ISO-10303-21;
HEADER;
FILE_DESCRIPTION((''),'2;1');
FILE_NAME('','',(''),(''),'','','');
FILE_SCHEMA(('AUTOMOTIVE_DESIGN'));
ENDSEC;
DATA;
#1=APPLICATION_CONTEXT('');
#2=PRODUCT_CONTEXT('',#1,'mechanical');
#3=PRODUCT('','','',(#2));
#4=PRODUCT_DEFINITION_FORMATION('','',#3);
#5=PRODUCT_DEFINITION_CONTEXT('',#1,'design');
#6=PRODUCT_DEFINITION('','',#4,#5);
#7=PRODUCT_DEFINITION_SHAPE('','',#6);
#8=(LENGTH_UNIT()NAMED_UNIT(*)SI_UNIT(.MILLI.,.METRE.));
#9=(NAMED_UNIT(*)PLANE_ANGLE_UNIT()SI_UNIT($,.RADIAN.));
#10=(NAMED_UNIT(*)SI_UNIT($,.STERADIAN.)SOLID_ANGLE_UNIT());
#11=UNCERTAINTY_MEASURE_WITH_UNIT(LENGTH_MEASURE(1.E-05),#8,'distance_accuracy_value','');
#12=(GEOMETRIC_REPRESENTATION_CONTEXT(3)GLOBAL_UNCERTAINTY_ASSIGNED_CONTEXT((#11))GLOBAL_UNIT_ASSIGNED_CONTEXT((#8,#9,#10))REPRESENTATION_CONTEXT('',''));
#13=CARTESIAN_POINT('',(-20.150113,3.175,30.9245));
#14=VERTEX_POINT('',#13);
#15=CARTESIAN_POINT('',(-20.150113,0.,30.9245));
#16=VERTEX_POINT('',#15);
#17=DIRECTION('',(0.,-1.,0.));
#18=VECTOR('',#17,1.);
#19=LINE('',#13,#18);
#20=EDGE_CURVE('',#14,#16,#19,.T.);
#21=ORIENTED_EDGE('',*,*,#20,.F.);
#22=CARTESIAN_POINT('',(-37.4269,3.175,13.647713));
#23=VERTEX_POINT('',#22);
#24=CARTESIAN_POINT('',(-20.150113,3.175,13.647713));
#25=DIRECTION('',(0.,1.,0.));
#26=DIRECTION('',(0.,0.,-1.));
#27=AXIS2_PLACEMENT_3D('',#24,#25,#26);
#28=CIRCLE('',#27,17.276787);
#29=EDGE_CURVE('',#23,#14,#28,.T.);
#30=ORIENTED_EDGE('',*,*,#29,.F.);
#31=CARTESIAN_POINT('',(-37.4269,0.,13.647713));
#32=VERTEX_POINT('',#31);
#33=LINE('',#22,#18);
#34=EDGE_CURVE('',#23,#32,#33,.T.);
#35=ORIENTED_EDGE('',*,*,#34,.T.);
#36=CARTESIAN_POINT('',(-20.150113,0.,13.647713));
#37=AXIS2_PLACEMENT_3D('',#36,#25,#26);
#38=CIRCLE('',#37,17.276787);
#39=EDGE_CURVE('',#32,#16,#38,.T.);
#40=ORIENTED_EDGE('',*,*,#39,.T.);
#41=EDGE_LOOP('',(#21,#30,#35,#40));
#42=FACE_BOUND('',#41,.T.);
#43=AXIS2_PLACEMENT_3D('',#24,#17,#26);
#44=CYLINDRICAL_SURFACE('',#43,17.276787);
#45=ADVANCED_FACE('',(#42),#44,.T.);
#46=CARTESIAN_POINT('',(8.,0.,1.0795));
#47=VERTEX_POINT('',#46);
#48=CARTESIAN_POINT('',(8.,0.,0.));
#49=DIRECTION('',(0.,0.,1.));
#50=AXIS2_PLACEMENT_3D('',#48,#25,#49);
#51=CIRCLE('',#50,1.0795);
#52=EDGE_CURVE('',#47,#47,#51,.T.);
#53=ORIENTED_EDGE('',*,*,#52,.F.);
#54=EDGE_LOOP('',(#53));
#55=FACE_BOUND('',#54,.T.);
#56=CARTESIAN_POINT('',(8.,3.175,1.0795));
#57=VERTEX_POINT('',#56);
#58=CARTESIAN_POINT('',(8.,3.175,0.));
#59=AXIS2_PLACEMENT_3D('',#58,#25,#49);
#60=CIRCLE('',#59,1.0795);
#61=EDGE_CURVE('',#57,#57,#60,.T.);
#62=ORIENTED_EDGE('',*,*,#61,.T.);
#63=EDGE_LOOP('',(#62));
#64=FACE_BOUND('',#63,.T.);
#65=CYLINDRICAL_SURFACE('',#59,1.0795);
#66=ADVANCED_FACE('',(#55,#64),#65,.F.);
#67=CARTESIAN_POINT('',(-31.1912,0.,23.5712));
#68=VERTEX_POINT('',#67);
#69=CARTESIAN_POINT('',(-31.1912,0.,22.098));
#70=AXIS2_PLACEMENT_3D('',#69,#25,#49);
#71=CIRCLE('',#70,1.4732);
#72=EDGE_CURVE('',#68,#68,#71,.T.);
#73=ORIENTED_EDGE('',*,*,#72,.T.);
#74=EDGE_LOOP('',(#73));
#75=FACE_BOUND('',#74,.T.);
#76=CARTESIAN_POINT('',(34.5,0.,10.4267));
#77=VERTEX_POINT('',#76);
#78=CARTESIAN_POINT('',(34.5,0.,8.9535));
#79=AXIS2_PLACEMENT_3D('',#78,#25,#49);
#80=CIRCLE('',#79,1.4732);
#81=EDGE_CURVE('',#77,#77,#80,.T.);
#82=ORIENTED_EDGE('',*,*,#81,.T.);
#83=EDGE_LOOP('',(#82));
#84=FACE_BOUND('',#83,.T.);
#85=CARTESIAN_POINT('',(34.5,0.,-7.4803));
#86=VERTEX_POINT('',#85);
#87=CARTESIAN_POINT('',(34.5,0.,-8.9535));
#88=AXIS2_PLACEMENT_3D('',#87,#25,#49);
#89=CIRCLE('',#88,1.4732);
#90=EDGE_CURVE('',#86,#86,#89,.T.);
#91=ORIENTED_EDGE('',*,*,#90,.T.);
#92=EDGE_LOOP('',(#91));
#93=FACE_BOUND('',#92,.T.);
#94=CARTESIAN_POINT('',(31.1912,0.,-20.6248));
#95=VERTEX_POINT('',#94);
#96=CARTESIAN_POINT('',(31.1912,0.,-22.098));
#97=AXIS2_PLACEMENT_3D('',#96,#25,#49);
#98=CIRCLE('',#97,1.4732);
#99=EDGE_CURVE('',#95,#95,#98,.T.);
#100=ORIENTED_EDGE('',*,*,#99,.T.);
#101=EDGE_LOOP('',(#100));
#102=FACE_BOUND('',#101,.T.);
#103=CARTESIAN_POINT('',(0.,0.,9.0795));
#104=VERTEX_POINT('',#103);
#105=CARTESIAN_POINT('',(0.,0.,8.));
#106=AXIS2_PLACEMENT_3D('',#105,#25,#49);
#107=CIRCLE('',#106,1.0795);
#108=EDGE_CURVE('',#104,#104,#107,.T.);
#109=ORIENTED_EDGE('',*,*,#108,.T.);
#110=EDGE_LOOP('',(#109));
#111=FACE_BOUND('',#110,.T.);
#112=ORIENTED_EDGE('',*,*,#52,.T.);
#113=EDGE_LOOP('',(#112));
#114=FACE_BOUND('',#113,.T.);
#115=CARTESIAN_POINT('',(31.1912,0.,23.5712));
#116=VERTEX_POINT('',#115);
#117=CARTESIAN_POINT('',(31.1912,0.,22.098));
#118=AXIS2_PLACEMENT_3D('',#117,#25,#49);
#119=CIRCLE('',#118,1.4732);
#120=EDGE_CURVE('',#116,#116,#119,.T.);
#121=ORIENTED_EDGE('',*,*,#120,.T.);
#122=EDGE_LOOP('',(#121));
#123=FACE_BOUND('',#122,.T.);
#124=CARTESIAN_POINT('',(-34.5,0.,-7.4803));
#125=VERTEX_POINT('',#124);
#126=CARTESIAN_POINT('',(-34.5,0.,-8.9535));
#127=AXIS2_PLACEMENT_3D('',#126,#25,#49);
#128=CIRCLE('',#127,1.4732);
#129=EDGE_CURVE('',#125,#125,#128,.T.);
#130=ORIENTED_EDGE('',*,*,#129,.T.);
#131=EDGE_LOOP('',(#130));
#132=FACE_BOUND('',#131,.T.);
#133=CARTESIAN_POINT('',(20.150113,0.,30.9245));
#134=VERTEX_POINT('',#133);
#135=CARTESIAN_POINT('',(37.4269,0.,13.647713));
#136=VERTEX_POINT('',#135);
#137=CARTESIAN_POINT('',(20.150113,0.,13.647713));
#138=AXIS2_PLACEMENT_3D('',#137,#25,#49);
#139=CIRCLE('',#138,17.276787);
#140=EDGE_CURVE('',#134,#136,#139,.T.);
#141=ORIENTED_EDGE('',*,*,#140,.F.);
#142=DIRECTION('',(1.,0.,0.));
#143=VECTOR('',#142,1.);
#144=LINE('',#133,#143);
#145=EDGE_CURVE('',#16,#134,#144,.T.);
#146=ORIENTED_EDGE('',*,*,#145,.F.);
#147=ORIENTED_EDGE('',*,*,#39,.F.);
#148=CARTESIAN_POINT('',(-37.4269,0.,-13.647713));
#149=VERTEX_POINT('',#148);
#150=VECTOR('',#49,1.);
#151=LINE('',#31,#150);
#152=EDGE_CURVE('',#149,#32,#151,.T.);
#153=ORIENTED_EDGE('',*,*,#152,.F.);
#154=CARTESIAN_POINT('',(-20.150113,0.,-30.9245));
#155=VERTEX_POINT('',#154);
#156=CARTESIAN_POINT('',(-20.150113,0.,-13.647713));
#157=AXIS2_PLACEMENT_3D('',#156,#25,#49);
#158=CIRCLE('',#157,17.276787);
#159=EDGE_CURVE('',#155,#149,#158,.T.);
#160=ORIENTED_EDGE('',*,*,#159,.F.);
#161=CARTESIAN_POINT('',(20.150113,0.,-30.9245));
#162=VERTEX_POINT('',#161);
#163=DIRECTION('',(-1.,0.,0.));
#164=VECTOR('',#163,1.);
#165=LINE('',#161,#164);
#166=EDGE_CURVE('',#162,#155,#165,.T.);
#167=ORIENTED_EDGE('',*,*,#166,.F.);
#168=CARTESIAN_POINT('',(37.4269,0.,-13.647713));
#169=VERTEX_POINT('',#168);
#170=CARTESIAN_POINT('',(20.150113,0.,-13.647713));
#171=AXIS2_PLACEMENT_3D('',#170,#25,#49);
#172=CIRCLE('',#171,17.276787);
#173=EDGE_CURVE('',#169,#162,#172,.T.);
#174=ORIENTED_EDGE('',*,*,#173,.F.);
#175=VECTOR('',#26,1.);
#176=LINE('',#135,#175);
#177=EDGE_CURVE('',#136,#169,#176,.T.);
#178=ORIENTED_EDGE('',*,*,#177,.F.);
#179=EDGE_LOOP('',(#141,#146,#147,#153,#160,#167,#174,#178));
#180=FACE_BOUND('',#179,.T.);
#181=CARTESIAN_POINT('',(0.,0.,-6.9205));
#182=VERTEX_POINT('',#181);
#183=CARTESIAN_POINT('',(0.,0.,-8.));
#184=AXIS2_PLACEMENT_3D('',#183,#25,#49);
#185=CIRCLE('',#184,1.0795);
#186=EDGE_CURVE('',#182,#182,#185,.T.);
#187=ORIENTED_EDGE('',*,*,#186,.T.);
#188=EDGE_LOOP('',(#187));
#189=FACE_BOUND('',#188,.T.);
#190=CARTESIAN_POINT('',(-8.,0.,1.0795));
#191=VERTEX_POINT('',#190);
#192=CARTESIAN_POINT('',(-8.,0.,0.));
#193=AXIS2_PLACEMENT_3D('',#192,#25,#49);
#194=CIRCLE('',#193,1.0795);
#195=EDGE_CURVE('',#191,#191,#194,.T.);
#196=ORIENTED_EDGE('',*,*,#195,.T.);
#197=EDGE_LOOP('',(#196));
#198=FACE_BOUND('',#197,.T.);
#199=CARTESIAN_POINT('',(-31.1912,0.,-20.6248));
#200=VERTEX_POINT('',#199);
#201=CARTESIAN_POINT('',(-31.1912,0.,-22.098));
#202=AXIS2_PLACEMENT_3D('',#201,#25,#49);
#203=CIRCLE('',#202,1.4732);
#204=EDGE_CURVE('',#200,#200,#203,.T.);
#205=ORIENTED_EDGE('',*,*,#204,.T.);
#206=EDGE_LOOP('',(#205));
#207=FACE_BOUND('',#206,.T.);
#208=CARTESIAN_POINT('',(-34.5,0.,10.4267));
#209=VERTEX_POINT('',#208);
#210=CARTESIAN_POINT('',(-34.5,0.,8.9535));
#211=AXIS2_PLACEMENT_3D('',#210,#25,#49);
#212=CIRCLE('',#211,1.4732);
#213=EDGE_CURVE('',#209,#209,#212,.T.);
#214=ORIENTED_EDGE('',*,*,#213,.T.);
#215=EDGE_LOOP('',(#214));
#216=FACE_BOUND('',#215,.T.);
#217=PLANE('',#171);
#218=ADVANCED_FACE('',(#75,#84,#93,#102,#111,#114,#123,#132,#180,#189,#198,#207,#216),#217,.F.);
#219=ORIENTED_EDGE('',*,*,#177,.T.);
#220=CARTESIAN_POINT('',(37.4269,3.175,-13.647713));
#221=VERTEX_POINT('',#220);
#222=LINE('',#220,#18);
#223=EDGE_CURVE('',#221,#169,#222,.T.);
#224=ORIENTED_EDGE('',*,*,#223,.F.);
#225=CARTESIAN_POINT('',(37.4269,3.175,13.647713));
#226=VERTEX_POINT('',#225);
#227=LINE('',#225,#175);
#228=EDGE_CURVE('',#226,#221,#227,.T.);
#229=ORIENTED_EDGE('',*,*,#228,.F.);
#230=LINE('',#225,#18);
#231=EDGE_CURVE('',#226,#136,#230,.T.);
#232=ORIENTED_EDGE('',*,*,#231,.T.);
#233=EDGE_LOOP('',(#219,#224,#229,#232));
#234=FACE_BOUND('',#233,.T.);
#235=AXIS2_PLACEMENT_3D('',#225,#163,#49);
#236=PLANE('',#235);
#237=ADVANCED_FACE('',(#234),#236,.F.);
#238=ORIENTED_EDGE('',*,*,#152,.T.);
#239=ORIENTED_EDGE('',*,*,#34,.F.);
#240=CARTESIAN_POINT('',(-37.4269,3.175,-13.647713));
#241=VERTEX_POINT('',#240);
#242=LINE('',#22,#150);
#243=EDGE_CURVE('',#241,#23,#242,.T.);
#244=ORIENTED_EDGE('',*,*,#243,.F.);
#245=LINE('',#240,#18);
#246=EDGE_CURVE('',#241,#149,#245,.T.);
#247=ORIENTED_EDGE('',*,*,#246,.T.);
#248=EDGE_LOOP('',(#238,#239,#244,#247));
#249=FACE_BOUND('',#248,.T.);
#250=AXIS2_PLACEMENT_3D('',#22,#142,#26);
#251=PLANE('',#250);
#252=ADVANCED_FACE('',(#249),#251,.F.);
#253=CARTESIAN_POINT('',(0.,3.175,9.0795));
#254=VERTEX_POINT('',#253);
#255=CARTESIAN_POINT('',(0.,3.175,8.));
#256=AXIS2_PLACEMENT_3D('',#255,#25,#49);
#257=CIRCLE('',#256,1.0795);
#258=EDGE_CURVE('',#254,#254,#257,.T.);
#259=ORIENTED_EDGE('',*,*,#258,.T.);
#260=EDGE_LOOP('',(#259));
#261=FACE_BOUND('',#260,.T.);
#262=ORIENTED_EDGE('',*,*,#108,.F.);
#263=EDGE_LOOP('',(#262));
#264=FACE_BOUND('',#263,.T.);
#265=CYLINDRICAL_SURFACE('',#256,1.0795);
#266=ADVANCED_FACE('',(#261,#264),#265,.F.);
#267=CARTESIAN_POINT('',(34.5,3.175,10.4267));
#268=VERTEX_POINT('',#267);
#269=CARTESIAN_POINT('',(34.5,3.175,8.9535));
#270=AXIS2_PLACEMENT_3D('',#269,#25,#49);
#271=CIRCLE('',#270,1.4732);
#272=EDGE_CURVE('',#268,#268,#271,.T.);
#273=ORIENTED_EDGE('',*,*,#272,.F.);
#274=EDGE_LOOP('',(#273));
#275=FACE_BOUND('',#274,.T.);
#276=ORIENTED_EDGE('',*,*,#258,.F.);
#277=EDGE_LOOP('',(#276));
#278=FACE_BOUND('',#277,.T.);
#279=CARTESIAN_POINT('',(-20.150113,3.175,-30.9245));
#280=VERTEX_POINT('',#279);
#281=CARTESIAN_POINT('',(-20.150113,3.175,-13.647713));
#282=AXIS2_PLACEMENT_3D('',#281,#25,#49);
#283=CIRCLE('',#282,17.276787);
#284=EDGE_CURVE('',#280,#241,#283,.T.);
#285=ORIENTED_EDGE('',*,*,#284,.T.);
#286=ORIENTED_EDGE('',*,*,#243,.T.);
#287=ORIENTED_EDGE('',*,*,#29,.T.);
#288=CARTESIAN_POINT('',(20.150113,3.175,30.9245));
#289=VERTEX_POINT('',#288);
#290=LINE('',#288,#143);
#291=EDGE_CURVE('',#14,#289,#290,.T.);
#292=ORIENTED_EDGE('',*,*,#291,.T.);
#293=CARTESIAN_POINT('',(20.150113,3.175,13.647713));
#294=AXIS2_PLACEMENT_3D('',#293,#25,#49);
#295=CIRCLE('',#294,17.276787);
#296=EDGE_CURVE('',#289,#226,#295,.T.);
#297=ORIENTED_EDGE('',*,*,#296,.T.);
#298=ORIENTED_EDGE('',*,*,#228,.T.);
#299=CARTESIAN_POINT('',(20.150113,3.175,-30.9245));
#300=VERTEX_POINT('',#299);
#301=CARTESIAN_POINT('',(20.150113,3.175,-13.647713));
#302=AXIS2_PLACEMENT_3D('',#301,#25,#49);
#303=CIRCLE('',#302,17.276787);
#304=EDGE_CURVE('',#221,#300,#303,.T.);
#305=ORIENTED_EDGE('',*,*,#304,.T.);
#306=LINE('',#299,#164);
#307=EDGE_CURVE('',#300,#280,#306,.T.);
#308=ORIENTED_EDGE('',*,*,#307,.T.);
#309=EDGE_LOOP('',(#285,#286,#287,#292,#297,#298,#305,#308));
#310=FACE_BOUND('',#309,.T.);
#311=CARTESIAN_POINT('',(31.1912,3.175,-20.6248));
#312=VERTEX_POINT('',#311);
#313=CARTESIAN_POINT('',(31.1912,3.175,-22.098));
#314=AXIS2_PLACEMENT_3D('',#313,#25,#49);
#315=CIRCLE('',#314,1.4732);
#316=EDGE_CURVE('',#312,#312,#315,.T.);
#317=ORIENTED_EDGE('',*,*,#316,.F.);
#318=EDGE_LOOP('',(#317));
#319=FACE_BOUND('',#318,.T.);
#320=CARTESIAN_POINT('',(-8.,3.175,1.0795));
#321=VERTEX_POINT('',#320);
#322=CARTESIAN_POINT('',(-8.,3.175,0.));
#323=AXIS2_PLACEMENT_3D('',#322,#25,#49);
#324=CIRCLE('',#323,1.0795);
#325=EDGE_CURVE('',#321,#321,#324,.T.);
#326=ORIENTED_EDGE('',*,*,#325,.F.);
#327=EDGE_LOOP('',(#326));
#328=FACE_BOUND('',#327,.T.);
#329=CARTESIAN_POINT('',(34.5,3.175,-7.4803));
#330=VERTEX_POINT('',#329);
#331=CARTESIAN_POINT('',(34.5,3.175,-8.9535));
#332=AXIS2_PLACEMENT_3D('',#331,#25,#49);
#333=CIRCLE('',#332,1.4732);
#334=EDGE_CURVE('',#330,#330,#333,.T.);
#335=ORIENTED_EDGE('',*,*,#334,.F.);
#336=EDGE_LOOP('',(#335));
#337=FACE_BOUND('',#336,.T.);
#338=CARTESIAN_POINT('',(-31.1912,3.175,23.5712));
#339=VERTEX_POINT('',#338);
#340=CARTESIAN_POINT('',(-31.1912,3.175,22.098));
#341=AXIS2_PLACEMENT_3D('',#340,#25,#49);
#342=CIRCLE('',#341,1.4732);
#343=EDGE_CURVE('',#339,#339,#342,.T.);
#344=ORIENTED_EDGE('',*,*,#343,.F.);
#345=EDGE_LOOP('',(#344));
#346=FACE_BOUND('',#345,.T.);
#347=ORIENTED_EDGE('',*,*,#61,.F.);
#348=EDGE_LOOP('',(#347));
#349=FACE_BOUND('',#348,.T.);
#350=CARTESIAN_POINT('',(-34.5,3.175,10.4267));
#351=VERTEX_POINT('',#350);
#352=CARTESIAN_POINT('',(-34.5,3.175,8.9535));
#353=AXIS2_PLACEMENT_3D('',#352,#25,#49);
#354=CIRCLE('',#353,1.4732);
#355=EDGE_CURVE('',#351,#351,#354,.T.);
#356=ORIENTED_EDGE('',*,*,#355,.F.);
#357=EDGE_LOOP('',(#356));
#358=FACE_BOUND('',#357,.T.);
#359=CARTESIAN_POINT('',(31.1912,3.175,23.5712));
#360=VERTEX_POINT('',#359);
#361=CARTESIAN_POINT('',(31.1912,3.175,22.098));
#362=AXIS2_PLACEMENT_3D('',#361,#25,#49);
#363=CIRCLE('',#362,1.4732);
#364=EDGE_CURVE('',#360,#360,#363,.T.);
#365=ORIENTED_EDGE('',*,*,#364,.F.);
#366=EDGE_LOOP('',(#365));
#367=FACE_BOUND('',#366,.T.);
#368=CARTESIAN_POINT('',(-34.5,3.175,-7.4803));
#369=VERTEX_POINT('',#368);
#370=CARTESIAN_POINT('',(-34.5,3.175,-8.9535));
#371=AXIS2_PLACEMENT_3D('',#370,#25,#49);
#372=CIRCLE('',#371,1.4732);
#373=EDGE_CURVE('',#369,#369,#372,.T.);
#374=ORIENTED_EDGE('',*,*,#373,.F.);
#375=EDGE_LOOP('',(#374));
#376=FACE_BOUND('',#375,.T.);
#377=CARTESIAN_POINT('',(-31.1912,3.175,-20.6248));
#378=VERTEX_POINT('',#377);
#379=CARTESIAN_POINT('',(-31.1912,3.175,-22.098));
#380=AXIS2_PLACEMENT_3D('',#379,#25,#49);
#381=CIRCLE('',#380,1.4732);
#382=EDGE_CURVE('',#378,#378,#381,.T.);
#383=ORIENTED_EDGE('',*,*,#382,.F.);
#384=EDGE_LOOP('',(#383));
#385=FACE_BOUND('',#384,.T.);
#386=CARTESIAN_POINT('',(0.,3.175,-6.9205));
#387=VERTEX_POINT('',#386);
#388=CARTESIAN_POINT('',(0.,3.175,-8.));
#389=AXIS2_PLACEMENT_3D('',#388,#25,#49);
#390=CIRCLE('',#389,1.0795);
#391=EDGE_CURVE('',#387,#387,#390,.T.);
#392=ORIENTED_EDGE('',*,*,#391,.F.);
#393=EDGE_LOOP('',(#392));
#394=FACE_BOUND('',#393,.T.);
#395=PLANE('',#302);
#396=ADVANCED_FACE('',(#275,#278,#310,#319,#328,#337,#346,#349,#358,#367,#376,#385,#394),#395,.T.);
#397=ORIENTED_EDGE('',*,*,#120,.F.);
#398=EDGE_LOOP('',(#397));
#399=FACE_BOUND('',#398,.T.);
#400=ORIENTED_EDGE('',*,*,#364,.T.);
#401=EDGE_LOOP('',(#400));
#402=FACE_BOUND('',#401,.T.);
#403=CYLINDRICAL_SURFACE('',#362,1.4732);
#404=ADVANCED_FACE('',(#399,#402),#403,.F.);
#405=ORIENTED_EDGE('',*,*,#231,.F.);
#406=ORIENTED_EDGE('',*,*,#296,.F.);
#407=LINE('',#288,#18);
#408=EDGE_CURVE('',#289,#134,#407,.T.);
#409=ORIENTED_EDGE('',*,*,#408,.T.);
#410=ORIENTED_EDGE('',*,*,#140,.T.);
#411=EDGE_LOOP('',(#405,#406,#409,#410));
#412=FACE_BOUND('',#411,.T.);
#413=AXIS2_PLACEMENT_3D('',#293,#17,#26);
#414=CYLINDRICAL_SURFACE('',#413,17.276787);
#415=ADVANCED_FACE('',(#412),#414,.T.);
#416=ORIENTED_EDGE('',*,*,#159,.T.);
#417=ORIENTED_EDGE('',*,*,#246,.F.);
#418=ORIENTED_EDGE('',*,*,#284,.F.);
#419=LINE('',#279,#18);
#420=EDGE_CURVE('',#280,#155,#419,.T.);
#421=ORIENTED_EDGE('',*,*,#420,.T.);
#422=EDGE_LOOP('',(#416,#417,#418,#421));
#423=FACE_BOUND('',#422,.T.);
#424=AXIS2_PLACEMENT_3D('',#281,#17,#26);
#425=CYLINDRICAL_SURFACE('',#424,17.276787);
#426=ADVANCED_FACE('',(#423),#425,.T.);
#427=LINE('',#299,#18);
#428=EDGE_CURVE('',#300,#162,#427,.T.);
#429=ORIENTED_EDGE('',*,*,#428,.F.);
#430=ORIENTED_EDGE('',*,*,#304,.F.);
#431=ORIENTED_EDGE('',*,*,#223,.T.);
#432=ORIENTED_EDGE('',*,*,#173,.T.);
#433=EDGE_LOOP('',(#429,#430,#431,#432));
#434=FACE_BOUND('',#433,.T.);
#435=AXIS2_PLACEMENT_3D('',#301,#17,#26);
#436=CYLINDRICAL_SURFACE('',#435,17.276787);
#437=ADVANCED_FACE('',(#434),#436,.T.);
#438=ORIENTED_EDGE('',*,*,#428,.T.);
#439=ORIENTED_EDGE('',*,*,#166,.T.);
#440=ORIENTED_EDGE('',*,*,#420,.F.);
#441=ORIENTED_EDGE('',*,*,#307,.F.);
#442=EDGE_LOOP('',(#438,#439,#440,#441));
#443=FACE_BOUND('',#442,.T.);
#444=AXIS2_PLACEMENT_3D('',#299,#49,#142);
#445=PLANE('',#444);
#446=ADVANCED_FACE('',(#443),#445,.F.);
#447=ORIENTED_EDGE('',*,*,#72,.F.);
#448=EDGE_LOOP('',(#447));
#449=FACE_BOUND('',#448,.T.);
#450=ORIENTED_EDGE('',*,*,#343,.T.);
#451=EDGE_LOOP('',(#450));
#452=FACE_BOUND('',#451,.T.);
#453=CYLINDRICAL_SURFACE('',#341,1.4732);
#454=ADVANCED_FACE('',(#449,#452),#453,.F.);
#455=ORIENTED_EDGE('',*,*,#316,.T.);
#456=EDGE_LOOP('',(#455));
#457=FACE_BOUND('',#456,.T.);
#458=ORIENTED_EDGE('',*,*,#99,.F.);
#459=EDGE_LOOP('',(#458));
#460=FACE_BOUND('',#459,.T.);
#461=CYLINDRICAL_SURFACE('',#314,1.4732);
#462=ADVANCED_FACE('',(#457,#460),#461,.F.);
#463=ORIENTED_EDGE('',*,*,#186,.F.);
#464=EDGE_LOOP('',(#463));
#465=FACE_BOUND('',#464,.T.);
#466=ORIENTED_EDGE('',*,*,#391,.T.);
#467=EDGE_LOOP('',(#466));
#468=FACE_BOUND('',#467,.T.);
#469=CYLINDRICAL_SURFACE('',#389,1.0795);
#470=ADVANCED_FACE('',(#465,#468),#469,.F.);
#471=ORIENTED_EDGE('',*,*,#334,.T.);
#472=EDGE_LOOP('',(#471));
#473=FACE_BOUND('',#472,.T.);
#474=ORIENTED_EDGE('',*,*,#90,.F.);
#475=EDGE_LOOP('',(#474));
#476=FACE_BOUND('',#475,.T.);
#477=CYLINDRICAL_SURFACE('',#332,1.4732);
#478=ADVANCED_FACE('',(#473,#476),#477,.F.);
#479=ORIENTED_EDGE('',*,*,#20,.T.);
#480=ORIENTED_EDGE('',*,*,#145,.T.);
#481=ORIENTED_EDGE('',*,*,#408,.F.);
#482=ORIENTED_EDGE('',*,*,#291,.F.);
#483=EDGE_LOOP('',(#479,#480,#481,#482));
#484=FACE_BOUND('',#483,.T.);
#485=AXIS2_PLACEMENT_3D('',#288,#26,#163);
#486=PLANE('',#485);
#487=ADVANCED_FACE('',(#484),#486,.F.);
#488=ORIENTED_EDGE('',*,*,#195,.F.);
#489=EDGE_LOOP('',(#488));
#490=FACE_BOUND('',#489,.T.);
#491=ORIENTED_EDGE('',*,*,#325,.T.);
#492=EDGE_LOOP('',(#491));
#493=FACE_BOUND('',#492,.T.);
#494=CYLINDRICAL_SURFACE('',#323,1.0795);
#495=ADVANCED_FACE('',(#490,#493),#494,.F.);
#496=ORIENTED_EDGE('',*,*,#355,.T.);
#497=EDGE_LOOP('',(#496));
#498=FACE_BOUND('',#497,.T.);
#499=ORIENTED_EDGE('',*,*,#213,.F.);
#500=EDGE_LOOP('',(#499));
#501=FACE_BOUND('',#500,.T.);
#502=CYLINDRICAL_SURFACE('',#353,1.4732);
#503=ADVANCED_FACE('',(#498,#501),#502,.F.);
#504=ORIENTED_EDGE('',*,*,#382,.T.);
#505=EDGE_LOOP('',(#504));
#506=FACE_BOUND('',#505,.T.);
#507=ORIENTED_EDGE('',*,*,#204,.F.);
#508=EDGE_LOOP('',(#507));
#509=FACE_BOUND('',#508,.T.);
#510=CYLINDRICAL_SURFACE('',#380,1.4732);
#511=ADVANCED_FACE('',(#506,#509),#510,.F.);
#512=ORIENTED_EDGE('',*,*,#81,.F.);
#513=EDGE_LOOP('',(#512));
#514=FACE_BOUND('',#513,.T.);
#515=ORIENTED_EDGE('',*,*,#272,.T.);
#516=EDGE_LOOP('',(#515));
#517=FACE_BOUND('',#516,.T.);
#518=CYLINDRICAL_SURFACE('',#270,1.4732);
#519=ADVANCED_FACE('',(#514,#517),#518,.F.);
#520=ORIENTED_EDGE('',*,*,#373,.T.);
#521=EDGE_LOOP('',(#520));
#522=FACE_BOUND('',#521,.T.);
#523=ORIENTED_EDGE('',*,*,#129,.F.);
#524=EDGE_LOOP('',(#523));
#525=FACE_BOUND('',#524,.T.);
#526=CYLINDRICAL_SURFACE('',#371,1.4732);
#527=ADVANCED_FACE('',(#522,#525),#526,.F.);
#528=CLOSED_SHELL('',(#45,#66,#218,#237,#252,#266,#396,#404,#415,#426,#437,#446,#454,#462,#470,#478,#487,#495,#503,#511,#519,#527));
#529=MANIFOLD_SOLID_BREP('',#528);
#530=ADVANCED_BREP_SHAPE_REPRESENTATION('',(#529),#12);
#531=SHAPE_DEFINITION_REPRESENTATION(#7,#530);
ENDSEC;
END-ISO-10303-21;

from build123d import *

# Parameters (mm, degrees)
BOSS_EXTRUDE1_DEPTH   = 3.175
F_4_CLEARANCE_HOLE1_D = 2.159
F_4_CLEARANCE_HOLE2_D = 2.9464


with BuildPart() as part:
    # Sketch1 → Boss-Extrude1 (new body)
    with BuildSketch(Plane(origin=(0, 0, 0), x_dir=(1, 0, 0), z_dir=(0, 1, 0))):
        with BuildLine():
            Line((20.150112608, -30.9245), (-20.150112608, -30.9245))
            ThreePointArc((-20.150112608, -30.9245), (-32.36664613, -25.86424613), (-37.4269, -13.647712608))
            Line((-37.4269, -13.647712608), (-37.4269, 13.647712608))
            ThreePointArc((-37.4269, 13.647712608), (-32.36664613, 25.86424613), (-20.150112608, 30.9245))
            Line((-20.150112608, 30.9245), (20.150112608, 30.9245))
            ThreePointArc((20.150112608, 30.9245), (32.36664613, 25.86424613), (37.4269, 13.647712608))
            Line((37.4269, 13.647712608), (37.4269, -13.647712608))
            ThreePointArc((37.4269, -13.647712608), (32.36664613, -25.86424613), (20.150112608, -30.9245))
        make_face()
    extrude(amount=BOSS_EXTRUDE1_DEPTH)

    # #4 Clearance Hole1 (through all)
    with Locations(Plane(origin=(0, 3.175, 0), x_dir=(-1, 0, 0), z_dir=(0, 1, 0))):
        with Locations((0, -8), (-8, 0), (0, 8), (8, 0)):
            Hole(F_4_CLEARANCE_HOLE1_D / 2)

    # #4 Clearance Hole2 (through all)
    with Locations(Plane(origin=(0, 3.175, 0), x_dir=(-1, 0, 0), z_dir=(0, 1, 0))):
        with Locations((31.1912, -22.098), (-31.1912, -22.098), (-31.1912, 22.098), (31.1912, 22.098), (34.5, -8.9535), (34.5, 8.9535), (-34.5, 8.9535), (-34.5, -8.9535)):
            Hole(F_4_CLEARANCE_HOLE2_D / 2)


solid = part.part
